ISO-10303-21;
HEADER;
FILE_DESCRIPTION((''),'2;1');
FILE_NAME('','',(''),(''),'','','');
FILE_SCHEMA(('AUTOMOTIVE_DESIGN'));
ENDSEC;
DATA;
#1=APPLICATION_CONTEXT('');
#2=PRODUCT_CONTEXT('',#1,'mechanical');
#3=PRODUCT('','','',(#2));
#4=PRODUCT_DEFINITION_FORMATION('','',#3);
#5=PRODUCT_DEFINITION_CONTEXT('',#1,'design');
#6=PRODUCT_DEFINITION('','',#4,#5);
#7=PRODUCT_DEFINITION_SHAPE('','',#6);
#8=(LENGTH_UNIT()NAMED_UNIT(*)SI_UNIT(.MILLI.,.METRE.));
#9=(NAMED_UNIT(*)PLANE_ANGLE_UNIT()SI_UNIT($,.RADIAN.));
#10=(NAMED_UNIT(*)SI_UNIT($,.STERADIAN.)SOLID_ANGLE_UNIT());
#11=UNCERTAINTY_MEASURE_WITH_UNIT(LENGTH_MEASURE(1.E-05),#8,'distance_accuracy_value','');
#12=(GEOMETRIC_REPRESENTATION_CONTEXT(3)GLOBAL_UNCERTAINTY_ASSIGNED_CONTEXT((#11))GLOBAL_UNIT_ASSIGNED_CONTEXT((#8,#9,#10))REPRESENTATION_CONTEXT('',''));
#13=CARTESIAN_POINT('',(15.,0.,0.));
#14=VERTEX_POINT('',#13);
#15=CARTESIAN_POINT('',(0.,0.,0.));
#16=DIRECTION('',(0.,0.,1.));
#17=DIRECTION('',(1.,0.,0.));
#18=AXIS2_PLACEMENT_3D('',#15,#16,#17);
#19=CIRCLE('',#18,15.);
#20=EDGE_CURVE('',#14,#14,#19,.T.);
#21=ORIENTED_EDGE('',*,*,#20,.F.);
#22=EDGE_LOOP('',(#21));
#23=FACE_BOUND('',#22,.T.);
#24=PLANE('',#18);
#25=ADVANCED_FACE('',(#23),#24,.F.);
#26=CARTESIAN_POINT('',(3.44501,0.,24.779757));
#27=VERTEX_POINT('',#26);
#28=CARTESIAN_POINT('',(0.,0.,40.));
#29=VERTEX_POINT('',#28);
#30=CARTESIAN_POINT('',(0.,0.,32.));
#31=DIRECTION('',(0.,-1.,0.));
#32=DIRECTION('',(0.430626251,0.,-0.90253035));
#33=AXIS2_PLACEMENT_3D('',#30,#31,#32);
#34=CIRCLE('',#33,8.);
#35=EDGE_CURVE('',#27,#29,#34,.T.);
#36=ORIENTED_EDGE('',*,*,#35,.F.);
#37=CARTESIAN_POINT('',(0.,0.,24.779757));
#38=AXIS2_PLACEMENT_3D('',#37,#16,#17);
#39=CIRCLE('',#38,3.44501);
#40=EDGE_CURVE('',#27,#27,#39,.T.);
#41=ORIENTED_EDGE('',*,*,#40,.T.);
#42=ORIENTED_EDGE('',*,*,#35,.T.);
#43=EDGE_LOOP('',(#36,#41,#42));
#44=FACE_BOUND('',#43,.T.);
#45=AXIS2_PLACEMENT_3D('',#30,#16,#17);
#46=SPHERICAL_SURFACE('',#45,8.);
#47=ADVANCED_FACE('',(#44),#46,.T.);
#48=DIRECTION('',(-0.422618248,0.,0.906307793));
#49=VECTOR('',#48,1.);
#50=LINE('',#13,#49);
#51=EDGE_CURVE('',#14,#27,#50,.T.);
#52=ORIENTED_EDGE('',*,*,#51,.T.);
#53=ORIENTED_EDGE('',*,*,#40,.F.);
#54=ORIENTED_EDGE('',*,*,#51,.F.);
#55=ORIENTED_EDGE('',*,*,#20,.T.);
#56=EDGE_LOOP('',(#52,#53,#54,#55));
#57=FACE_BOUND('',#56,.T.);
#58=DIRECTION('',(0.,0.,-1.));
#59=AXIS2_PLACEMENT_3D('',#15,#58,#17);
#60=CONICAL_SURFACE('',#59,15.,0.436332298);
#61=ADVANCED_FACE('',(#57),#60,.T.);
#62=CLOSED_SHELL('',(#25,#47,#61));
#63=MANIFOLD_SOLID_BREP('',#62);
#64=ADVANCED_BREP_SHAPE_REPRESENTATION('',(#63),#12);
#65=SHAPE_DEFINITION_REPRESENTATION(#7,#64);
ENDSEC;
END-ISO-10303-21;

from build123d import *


with BuildPart() as part:
    # Sketch → Revolution (revolve)
    with BuildSketch(Plane.XZ):
        with BuildLine():
            ThreePointArc((3.44501, 24.779757), (7.802626, 33.766077), (0, 40))
            Line((0, 40), (0, 0))
            Line((0, 0), (15, 0))
            Line((15, 0), (3.44501, 24.779757))
        make_face()
    revolve(axis=Axis((0, 0, 0), (0, 0, 1)))


solid = part.part
